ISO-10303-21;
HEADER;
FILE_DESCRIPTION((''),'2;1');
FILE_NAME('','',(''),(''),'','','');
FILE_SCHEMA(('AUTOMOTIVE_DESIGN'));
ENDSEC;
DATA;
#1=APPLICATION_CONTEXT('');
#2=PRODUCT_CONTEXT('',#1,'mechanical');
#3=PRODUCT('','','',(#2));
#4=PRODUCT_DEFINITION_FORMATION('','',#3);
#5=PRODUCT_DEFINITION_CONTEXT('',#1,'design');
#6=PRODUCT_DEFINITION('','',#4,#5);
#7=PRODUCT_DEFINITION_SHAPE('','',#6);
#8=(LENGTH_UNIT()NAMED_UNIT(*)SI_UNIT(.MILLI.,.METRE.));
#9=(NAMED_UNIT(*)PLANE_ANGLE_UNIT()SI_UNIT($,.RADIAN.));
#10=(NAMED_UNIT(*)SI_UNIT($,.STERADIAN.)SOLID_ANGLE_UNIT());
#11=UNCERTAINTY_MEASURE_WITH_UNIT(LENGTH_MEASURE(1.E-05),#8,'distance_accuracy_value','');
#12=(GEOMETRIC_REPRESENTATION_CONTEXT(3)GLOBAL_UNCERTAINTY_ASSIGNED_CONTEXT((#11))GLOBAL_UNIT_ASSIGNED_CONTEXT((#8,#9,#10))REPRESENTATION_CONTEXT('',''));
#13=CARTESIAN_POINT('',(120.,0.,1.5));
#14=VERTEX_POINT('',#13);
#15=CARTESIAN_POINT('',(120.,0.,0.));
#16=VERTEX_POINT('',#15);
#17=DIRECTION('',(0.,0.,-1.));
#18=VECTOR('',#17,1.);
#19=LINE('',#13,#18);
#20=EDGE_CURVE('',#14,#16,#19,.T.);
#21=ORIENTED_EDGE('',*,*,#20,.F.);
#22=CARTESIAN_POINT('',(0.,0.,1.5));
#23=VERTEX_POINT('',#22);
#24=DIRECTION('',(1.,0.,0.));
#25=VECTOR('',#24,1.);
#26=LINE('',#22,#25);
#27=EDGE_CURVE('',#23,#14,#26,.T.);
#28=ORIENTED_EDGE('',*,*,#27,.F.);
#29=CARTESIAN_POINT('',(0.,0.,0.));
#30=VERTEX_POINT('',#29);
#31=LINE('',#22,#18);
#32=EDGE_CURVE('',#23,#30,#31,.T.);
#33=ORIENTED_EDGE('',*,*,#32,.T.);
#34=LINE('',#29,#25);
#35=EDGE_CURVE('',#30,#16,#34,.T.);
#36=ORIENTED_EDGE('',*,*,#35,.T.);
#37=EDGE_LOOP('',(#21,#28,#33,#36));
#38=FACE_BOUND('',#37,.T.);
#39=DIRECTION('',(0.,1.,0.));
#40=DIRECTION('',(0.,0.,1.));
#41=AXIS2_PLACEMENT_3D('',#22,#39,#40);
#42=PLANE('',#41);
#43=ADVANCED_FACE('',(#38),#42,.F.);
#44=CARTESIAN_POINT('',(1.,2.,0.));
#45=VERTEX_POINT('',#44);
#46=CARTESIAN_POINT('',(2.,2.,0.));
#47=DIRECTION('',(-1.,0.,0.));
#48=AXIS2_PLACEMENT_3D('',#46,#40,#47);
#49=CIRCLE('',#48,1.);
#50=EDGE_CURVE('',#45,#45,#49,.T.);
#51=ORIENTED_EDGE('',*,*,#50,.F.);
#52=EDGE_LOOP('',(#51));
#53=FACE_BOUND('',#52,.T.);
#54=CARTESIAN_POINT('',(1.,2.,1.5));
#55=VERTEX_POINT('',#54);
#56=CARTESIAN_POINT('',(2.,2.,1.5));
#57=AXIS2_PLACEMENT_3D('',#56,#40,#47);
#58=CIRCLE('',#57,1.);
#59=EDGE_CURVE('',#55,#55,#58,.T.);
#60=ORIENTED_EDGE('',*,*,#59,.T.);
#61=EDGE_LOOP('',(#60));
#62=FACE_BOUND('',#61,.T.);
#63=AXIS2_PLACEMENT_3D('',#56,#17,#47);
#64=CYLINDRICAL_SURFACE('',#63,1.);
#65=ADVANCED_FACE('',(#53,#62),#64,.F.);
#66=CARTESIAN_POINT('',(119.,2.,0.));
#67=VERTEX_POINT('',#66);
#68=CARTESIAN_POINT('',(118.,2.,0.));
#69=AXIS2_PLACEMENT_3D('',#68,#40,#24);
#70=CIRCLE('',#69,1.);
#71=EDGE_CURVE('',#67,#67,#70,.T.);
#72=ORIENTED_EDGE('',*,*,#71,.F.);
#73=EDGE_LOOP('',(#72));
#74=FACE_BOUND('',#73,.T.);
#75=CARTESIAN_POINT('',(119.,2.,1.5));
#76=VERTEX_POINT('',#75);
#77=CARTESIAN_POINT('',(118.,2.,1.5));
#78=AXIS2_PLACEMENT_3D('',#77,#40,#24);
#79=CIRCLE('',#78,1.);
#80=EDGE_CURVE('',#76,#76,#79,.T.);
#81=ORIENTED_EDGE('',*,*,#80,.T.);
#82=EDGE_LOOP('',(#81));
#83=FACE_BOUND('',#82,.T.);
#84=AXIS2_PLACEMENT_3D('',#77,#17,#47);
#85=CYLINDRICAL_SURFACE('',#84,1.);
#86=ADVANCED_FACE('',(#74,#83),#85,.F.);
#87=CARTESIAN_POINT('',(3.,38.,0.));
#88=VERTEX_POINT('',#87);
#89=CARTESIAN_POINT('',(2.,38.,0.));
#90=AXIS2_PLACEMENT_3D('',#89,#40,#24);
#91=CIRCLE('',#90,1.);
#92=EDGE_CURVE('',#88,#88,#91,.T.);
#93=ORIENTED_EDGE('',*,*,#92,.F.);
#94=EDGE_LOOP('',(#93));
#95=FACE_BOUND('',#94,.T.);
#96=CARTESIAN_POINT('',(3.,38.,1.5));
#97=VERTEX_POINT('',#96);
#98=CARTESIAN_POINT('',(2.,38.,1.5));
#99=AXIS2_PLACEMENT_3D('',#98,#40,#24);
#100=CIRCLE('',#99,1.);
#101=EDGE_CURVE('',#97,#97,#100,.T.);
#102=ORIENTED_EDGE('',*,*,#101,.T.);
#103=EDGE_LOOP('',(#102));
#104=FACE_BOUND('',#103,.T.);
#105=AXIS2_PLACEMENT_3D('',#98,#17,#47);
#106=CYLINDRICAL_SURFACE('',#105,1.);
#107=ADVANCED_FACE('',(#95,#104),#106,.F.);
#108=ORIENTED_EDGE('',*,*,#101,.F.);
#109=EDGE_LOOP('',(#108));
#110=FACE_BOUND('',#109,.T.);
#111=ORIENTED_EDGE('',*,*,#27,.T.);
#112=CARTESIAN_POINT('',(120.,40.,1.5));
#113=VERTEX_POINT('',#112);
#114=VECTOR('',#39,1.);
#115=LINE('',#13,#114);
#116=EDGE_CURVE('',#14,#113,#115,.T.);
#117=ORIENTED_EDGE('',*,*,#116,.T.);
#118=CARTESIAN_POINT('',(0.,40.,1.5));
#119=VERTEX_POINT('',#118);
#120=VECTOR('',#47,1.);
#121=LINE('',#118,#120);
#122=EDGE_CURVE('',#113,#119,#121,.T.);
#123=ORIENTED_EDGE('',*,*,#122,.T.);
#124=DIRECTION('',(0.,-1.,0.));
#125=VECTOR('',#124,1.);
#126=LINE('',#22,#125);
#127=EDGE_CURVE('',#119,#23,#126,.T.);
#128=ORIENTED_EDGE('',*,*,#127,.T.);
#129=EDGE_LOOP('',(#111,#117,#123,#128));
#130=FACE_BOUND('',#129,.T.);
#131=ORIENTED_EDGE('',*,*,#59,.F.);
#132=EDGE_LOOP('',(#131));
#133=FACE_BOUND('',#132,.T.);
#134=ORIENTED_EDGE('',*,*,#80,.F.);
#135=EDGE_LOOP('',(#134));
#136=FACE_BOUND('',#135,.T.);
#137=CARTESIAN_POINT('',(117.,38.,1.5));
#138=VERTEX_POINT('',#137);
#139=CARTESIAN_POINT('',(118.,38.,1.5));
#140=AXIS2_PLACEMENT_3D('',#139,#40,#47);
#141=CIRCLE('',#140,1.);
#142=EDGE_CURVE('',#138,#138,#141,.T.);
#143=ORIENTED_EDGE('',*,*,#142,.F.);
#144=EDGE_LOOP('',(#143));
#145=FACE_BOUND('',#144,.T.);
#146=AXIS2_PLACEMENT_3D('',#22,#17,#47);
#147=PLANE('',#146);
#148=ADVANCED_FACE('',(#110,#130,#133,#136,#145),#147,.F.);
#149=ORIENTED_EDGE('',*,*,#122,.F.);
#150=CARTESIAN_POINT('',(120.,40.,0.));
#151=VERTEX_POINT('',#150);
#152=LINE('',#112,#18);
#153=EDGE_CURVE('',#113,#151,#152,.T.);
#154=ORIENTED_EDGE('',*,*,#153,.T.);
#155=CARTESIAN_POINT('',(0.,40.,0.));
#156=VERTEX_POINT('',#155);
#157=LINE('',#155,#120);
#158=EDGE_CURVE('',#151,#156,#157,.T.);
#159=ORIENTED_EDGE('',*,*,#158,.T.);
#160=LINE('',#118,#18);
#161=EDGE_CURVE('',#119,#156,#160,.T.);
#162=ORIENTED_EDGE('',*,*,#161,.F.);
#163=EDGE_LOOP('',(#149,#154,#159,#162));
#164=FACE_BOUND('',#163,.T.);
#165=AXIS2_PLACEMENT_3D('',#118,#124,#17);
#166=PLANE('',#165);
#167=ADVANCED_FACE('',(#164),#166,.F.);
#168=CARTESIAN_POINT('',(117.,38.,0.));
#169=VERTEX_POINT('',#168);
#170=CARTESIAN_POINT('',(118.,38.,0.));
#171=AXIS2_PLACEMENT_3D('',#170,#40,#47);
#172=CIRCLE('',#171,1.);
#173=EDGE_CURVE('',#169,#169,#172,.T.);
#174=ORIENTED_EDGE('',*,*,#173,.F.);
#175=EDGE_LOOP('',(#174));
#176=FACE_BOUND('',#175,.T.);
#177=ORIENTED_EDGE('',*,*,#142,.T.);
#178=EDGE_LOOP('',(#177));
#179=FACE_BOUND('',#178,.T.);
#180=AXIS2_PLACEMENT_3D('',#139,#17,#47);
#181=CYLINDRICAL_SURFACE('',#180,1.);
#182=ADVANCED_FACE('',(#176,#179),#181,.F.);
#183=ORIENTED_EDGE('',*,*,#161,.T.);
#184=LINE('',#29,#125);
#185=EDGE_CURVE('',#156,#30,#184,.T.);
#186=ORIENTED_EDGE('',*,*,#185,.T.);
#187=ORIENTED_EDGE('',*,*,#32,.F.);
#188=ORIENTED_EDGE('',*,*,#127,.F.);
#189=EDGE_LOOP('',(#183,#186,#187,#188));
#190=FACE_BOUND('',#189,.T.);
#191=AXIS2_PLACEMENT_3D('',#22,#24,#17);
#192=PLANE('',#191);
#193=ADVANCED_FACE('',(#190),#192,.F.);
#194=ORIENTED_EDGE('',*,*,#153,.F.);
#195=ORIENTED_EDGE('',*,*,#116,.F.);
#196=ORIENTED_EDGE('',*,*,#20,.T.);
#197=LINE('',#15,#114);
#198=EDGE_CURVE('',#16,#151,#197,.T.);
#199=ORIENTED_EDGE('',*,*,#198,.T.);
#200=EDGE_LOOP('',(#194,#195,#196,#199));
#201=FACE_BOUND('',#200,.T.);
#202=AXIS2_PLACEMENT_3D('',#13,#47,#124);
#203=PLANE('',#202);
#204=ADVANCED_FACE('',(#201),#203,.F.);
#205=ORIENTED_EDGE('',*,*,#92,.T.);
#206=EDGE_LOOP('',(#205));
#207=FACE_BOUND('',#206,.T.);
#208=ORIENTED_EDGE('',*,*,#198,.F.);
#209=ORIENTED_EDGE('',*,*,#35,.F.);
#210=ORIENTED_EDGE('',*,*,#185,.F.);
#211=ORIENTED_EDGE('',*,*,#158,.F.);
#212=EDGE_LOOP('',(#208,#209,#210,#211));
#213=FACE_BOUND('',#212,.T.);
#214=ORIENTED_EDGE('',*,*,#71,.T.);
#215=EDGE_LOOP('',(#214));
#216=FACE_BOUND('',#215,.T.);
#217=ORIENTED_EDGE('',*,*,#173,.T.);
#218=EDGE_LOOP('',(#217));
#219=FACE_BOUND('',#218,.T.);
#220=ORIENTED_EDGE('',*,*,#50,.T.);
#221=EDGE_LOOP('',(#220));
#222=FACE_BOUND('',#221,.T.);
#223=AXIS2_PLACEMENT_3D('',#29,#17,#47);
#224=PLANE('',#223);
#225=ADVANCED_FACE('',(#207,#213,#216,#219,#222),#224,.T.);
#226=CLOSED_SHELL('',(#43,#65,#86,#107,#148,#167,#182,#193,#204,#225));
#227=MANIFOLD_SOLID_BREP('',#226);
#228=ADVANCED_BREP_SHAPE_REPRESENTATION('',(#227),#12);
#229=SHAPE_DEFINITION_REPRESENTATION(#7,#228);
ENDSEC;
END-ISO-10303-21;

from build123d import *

# Parameters (mm, degrees)
SKETCH_1_W      = 120
SKETCH_1_H      = 40
SKETCH_1_R      = 1
EXTRUDE_1_DEPTH = 1.5


with BuildPart() as part:
    # Эскиз1 → Бобышка-Вытянуть1 (new body)
    with BuildSketch(Plane.XY):
        with Locations((60, 20)):
            Rectangle(SKETCH_1_W, SKETCH_1_H)
        with Locations((2, 38)):
            Circle(SKETCH_1_R, mode=Mode.SUBTRACT)
        with Locations(Location((118, 38, 0), (0, 0, 180))):
            Circle(SKETCH_1_R, mode=Mode.SUBTRACT)
        with Locations((118, 2)):
            Circle(SKETCH_1_R, mode=Mode.SUBTRACT)
        with Locations(Location((2, 2, 0), (0, 0, 180))):
            Circle(SKETCH_1_R, mode=Mode.SUBTRACT)
    extrude(amount=EXTRUDE_1_DEPTH)


solid = part.part
